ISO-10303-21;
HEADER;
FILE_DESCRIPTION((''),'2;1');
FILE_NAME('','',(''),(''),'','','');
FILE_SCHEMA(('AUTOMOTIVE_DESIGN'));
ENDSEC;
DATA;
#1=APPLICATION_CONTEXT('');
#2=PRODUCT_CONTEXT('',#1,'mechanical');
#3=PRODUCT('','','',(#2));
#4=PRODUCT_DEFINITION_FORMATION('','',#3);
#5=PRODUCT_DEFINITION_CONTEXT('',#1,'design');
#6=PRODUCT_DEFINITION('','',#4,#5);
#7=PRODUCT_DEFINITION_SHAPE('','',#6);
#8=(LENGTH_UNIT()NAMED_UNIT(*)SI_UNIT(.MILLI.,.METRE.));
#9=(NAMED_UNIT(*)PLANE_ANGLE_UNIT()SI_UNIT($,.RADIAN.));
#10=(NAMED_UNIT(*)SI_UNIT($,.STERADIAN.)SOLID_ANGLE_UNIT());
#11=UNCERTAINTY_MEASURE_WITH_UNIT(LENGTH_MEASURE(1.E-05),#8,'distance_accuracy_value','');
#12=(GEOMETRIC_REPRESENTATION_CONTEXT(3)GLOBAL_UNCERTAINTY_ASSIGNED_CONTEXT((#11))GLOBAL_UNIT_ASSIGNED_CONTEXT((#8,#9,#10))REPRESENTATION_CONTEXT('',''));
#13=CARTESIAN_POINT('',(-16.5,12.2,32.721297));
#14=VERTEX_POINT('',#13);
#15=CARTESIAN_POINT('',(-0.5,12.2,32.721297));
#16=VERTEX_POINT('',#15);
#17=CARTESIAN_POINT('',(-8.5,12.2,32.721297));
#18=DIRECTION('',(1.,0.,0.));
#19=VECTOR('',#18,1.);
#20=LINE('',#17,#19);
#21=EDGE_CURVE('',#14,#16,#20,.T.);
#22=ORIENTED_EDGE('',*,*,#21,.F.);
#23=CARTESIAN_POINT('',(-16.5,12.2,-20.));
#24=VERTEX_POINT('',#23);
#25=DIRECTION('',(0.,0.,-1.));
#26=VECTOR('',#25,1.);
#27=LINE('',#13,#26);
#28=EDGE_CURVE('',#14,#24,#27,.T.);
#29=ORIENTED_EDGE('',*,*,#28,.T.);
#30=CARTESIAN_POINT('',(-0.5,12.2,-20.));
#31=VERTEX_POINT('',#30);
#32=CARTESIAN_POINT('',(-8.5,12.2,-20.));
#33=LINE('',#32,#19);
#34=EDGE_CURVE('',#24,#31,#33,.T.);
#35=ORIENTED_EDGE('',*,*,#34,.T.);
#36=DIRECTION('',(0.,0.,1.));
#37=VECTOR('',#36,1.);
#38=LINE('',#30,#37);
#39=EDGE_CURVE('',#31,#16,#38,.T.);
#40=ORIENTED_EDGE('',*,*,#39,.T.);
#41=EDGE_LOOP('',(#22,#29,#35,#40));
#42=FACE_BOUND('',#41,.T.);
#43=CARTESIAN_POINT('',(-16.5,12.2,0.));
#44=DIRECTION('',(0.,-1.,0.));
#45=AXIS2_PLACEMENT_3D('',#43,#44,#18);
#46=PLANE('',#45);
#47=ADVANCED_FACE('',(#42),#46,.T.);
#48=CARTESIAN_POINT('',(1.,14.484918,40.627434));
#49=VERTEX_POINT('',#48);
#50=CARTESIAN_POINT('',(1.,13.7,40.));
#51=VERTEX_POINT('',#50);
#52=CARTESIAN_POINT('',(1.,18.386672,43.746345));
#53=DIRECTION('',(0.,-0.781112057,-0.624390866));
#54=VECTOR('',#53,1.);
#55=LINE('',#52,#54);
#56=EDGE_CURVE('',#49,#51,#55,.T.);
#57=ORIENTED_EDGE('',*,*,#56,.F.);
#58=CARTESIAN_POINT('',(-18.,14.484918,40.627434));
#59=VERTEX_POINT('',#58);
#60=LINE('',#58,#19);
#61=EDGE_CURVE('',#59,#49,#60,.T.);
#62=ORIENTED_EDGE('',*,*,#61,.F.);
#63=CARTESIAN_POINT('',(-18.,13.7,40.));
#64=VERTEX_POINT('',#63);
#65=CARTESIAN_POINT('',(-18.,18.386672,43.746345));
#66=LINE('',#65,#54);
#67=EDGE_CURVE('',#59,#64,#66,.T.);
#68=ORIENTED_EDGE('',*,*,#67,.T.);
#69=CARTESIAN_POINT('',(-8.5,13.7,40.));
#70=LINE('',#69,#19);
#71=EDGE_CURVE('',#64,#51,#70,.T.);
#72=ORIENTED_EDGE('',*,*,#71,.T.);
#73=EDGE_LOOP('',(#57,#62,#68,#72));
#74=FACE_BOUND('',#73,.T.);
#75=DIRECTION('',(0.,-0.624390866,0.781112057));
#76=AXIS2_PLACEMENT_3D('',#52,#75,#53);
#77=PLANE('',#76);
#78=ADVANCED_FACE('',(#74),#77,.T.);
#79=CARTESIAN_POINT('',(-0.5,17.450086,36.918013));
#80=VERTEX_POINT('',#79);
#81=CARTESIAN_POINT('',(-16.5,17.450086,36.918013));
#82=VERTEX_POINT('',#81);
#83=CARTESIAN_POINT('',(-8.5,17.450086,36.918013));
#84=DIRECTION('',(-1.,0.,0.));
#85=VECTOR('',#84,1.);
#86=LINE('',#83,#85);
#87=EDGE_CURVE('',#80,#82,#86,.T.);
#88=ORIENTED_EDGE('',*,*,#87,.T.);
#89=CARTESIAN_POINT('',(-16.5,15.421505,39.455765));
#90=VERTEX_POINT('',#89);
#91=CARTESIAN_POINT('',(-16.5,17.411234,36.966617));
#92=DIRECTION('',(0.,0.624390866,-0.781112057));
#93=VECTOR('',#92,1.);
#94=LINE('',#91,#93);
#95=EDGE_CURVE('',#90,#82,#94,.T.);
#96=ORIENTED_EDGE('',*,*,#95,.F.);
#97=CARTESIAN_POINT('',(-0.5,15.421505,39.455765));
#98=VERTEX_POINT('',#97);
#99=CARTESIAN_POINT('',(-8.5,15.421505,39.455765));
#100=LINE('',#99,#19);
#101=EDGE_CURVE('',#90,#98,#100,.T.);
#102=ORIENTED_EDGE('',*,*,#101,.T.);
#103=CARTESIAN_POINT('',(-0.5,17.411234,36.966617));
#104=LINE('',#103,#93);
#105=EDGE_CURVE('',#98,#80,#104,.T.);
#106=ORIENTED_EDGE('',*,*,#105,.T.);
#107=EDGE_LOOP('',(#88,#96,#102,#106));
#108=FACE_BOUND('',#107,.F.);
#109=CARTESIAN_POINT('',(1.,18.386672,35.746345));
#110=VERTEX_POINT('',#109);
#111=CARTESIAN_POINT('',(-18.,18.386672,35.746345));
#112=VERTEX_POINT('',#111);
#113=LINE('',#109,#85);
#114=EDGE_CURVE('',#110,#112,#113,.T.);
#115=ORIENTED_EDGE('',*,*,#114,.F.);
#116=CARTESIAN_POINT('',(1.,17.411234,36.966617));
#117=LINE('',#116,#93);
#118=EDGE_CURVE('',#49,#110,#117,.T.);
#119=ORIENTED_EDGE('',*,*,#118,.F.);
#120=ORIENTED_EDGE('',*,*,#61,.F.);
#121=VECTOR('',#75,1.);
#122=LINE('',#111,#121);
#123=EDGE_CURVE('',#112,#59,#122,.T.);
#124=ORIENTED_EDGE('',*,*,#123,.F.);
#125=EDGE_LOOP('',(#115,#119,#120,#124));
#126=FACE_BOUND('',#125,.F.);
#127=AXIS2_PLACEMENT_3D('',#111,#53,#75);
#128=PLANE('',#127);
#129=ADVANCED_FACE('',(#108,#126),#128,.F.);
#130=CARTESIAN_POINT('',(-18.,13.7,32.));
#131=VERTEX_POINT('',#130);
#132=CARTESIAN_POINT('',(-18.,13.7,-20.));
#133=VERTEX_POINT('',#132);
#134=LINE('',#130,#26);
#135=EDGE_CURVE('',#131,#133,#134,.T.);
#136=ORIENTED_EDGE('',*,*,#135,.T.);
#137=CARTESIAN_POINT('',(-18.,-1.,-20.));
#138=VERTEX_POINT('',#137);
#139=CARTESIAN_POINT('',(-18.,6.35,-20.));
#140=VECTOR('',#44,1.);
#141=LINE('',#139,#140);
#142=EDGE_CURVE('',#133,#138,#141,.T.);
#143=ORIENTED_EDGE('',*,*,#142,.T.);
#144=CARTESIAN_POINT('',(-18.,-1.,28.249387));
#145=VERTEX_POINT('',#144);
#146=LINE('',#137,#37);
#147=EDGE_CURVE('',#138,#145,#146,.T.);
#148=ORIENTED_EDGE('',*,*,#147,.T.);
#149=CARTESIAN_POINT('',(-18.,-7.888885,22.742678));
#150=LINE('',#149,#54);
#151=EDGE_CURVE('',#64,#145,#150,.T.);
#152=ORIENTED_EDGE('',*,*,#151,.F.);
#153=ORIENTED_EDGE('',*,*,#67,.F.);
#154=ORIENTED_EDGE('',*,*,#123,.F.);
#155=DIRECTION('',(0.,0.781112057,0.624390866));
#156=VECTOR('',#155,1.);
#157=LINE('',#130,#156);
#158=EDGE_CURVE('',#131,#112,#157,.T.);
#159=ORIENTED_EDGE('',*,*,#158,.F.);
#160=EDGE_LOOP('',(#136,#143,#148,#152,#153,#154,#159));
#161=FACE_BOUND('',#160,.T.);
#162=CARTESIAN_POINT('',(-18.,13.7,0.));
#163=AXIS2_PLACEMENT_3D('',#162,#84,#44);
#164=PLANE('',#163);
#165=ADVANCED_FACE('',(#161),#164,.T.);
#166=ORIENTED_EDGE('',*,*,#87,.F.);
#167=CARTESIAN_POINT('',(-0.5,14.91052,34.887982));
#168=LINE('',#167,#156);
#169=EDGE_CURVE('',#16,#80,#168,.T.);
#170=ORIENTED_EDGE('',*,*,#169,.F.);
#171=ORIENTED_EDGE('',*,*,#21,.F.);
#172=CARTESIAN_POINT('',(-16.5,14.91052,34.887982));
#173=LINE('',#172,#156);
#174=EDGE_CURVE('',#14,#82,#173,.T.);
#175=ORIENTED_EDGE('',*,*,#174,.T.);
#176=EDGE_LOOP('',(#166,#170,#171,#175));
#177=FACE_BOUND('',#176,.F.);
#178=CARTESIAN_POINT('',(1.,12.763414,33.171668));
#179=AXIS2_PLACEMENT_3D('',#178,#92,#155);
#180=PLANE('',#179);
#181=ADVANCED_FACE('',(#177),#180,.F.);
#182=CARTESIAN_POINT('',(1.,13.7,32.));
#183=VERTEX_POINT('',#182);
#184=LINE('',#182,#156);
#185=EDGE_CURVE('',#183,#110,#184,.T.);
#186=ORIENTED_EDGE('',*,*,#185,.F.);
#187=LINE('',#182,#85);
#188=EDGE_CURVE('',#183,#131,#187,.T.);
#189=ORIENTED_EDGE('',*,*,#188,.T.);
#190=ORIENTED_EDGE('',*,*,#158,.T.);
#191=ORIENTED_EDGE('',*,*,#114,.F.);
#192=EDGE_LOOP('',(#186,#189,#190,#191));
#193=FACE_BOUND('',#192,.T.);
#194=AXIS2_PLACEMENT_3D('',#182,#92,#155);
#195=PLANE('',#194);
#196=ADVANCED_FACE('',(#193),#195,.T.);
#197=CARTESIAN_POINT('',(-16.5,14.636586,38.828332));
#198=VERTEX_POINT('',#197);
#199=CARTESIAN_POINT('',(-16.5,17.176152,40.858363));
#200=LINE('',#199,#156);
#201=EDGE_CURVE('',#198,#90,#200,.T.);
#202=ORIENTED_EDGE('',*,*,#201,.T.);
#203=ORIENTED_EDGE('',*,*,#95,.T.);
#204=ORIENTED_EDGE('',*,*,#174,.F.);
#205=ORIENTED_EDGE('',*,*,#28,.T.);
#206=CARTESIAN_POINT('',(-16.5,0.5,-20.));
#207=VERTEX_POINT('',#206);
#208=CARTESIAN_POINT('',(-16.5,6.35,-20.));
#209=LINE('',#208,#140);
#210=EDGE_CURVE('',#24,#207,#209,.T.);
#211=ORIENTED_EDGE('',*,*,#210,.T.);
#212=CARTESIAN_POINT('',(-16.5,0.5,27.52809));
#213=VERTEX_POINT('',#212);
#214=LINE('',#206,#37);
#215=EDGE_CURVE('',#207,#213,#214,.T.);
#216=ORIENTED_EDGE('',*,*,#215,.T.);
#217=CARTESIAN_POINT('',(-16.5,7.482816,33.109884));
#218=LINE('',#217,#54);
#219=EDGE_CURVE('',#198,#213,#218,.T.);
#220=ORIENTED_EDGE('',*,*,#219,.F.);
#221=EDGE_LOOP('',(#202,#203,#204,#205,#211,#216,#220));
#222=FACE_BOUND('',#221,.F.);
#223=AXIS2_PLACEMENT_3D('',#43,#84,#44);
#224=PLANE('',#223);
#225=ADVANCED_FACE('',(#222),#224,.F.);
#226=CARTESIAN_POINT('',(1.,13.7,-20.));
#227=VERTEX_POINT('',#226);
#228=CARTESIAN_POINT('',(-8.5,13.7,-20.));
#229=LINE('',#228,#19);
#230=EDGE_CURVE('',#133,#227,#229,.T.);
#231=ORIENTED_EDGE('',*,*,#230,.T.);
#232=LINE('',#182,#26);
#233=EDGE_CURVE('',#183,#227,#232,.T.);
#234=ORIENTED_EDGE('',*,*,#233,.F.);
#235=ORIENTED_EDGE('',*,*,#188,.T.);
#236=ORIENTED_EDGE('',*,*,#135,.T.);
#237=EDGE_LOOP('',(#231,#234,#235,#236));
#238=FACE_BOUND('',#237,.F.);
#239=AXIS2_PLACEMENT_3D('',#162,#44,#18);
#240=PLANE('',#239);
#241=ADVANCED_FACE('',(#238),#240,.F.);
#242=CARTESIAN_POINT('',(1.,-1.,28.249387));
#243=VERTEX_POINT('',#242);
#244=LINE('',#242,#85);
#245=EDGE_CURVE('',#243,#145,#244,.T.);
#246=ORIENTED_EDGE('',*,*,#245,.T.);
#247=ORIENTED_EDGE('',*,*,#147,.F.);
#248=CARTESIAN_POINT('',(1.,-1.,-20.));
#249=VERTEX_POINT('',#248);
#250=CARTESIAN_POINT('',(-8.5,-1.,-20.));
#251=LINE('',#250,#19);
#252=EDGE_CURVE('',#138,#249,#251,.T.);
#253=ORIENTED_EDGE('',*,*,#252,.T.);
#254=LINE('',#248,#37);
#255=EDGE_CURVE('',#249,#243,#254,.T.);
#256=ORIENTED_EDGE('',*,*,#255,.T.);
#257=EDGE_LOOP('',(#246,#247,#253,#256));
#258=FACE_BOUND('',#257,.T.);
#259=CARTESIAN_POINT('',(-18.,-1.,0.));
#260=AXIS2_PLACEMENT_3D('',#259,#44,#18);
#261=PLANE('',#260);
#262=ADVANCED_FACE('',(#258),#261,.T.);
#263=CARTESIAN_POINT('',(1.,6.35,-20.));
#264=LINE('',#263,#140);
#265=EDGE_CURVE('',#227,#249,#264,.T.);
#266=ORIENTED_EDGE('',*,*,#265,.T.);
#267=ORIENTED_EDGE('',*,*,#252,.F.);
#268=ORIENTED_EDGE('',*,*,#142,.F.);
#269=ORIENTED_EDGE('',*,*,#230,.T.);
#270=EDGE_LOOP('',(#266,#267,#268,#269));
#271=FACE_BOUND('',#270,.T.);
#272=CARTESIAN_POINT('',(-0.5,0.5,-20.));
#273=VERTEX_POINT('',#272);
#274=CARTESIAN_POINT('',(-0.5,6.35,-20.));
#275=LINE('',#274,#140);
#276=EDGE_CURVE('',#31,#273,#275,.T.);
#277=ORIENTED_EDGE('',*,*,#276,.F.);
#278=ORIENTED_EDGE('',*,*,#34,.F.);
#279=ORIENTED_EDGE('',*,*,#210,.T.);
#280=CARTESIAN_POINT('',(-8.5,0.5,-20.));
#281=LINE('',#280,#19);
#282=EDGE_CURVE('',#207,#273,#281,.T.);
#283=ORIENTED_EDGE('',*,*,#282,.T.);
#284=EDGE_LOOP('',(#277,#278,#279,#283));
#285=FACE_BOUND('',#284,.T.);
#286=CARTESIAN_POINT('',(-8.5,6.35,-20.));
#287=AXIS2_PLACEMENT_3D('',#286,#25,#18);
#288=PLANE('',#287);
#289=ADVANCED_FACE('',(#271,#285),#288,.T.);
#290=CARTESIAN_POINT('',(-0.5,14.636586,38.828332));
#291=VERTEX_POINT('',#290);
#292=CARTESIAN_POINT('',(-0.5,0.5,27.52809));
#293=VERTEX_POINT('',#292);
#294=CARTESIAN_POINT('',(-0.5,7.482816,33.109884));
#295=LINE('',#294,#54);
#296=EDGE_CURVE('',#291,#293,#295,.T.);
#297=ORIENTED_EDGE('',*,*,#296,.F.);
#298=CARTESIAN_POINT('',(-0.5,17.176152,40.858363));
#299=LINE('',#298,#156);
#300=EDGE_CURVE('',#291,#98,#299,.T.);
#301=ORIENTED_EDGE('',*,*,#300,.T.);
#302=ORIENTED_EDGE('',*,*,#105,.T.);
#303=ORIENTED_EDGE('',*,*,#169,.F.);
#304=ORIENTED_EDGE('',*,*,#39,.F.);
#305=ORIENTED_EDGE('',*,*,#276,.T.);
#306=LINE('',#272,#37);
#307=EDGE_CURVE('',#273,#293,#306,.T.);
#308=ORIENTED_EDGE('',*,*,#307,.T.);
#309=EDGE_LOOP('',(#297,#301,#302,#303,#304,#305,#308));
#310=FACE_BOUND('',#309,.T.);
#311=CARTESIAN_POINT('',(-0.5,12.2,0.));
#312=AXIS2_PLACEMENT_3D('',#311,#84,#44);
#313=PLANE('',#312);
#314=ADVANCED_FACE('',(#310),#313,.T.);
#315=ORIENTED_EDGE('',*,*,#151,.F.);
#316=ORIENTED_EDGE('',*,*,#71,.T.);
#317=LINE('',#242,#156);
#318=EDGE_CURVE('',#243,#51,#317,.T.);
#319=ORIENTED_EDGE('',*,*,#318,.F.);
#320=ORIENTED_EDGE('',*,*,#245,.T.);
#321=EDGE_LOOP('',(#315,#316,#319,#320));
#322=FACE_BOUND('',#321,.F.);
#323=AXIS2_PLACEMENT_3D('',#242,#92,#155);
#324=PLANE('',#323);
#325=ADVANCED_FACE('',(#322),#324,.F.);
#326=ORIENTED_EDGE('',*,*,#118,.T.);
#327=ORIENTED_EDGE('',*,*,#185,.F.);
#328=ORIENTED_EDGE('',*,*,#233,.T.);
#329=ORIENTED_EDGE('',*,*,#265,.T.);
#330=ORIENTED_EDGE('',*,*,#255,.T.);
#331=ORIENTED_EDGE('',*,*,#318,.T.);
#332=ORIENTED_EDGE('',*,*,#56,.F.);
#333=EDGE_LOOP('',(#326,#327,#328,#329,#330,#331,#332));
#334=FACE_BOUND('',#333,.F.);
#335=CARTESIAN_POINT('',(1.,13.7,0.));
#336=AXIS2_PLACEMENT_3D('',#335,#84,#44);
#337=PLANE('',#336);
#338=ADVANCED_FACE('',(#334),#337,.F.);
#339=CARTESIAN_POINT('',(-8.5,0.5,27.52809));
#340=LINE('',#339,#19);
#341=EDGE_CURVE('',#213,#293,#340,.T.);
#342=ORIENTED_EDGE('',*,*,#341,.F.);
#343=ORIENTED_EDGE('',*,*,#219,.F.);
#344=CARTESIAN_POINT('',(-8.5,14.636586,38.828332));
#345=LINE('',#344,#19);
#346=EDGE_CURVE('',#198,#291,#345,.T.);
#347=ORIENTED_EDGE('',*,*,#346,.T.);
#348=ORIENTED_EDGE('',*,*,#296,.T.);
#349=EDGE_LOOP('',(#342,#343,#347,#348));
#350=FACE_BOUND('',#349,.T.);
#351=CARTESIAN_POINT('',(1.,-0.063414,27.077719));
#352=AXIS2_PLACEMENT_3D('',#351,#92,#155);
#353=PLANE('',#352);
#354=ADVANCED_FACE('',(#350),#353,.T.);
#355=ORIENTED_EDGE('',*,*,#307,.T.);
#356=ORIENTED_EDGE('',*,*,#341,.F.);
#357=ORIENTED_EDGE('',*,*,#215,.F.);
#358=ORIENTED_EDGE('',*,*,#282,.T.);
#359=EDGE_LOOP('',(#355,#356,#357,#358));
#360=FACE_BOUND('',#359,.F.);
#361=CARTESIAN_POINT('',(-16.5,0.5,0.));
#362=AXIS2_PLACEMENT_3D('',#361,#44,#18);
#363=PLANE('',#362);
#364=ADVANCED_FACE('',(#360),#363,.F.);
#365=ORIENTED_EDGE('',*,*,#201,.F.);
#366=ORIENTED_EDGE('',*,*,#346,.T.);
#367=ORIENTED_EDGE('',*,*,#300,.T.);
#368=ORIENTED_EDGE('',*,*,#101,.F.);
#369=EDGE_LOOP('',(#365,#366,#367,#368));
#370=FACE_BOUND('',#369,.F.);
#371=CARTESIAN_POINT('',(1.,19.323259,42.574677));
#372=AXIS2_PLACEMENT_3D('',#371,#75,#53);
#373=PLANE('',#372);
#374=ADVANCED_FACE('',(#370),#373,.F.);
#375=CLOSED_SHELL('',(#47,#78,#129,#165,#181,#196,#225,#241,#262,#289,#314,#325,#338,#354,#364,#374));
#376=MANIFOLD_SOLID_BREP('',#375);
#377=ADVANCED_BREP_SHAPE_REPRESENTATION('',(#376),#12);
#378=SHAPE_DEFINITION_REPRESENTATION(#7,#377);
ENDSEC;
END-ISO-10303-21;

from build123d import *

# Parameters (mm, degrees)
F0_W      = 19
F0_H      = 14.7
F0_W_2    = 17
F0_H_2    = 12.7
F1_DEPTH  = 40
F3_DEPTH  = 19.001
F5_DEPTH  = 19
F6_T      = -1.5
F8_DEPTH  = 19.001
F9_W      = 19
F9_H      = 14.7
F9_W_2    = 16
F9_H_2    = 11.7
F10_DEPTH = 20


with BuildPart() as f1:
    # F0 (on Top) → F1 (new body)
    with BuildSketch(Plane.XY):
        with Locations((-8.5, 6.35)):
            Rectangle(F0_W, F0_H)
        with Locations((-8.5, 6.35)):
            Rectangle(F0_W_2, F0_H_2, mode=Mode.SUBTRACT)
        with Locations((-8.5, 6.35)):
            Rectangle(F0_W_2, F0_H_2)
    extrude(amount=F1_DEPTH)

    # F2 (on face) → F3 (cut, through all)
    with BuildSketch(Plane.YZ.offset(1)):
        Polygon((-1, 40), (-1, 28.249386698), (13.7, 40), align=None)
    extrude(amount=-F3_DEPTH, mode=Mode.SUBTRACT)

    # F4 (on face) → F5 (join)
    with BuildSketch(Plane.YZ.offset(1)):
        Polygon((18.3866723446, 43.7463451969), (13.7, 40), (13.7, 32), (18.3866723446, 35.7463451969), align=None)
    extrude(amount=-F5_DEPTH)

    # F6
    f6_openings = [f1.faces().sort_by_distance(p)[0] for p in [
        (-8.5, 18.386672, 39.746345),
        (-8.5, 6.35, 0),
    ]]
    offset(amount=F6_T, openings=f6_openings, kind=Kind.INTERSECTION)

    # F7 (on face) → F8 (cut, through all)
    with BuildSketch(Plane(origin=(-18, 0, 0), x_dir=(0, -1, 0), z_dir=(-1, 0, 0))):
        Polygon((-18.3866723446, 43.7463451969), (-18.3866723446, 35.7463451969), (-14.4849184718, 40.627433567), align=None)
    extrude(amount=-F8_DEPTH, mode=Mode.SUBTRACT)

    # F9 (on face) → F10 (join)
    with BuildSketch(Plane(origin=(0, 0, 0), x_dir=(1, 0, 0), z_dir=(0, 0, -1))):
        with Locations((-8.5, -6.35)):
            Rectangle(F9_W, F9_H)
        with Locations((-8.5, -6.35)):
            Rectangle(F9_W_2, F9_H_2, mode=Mode.SUBTRACT)
    extrude(amount=F10_DEPTH)


solid = f1.part
